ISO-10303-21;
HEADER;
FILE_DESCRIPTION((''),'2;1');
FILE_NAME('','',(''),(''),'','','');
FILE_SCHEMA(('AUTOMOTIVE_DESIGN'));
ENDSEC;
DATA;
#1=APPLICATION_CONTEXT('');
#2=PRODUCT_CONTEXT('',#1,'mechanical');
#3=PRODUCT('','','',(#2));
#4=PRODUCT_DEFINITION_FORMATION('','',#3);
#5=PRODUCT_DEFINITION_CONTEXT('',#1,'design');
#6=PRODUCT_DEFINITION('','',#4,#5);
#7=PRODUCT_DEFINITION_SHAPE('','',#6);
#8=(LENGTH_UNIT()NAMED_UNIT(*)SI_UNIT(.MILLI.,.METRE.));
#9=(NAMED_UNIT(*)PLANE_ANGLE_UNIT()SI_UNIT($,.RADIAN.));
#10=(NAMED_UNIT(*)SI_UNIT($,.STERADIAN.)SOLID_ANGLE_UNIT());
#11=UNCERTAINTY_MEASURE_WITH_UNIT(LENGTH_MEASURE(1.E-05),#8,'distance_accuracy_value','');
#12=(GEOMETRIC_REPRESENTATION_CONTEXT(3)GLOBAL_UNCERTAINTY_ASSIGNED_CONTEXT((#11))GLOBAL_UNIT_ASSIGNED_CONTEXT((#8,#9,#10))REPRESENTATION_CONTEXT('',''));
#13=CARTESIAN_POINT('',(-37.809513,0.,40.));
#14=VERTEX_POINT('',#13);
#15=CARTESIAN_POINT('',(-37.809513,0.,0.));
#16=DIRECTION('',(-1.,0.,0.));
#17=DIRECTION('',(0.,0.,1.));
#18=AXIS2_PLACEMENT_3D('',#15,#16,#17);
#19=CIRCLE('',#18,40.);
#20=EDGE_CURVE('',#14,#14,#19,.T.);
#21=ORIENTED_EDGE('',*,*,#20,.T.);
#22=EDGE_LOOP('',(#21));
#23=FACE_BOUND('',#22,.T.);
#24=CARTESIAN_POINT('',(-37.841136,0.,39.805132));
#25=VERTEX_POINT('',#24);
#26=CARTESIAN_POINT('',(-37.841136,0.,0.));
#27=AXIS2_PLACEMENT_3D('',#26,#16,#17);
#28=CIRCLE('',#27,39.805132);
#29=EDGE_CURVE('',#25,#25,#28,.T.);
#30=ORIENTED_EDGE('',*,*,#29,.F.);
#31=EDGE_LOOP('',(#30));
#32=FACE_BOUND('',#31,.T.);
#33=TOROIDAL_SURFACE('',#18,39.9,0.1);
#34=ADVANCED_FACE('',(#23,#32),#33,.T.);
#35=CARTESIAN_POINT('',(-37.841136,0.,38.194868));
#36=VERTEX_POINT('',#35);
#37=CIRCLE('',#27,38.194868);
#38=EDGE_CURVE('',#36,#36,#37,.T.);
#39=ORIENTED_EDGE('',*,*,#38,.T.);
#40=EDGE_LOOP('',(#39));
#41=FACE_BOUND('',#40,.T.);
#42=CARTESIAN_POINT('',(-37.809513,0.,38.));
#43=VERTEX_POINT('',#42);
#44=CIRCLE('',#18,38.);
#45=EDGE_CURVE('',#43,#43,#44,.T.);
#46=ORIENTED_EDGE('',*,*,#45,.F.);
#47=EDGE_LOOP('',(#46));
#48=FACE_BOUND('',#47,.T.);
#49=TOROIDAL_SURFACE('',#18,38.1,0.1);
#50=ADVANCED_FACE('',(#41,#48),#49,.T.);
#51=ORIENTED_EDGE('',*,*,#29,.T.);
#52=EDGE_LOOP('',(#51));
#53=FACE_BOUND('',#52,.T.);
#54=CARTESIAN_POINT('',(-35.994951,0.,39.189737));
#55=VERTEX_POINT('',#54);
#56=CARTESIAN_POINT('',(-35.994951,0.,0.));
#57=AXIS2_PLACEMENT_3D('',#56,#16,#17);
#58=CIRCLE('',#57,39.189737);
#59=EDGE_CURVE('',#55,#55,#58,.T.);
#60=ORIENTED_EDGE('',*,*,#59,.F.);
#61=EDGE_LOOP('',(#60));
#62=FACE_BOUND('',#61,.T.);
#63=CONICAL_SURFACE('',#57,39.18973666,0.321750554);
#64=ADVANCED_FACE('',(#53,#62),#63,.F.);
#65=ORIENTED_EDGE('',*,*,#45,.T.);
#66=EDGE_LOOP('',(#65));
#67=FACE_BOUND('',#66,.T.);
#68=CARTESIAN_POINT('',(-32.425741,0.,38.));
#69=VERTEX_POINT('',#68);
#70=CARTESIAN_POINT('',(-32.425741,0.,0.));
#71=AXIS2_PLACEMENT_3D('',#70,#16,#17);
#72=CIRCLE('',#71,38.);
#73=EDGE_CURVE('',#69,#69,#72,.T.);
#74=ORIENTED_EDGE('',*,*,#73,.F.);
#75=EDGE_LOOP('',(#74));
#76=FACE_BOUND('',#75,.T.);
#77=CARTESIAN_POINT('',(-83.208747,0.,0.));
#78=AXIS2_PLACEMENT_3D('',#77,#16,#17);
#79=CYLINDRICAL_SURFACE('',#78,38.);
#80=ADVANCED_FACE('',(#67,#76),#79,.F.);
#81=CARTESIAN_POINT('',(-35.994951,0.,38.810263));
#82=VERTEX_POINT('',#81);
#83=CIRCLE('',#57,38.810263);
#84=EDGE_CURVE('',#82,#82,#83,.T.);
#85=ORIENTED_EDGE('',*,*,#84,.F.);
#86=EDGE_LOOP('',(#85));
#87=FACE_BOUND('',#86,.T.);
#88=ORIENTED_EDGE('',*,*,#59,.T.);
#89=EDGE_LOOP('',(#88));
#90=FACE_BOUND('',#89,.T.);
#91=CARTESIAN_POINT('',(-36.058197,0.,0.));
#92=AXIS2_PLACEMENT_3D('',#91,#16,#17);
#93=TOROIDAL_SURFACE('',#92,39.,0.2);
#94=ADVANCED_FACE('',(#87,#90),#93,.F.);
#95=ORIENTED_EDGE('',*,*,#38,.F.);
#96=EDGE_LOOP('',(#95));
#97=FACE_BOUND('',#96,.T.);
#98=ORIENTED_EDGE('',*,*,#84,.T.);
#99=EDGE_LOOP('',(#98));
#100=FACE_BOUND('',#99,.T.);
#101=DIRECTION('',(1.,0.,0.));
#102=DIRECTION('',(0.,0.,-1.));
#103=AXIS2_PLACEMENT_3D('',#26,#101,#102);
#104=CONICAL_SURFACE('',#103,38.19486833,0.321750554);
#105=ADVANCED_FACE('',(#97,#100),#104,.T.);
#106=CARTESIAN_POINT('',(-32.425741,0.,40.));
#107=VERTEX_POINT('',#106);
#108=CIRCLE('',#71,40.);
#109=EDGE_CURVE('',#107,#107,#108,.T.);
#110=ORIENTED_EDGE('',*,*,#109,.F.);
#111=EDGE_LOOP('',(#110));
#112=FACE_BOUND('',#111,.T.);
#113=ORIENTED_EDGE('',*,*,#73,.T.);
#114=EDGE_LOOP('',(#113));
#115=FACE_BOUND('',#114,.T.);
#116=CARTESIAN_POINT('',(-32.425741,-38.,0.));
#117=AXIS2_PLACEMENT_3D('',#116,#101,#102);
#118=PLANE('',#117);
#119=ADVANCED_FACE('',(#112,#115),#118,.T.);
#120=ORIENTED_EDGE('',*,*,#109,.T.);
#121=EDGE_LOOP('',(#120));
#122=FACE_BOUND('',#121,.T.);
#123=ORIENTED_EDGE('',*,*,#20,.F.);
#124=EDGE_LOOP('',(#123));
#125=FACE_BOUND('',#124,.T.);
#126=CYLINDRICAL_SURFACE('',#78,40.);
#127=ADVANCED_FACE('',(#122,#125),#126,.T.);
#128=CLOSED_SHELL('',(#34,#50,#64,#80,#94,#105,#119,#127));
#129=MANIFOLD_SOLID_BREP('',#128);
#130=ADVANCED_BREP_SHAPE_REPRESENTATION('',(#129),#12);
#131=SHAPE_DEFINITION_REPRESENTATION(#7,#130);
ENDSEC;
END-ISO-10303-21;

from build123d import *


with BuildPart() as part:
    # Sketch1 → Revolve1 (revolve)
    with BuildSketch(Plane.XY, mode=Mode.PRIVATE) as revolve1_sk:
        with BuildLine():
            Line((-37.809513487, -40), (-32.425741253, -40))
            Line((-32.425741253, -40), (-32.425741253, -38))
            Line((-32.425741253, -38), (-37.809513487, -38))
            ThreePointArc((-37.809513487, -38), (-37.908222233, -38.083981776), (-37.841136263, -38.19486833))
            Line((-37.841136263, -38.19486833), (-35.994951232, -38.81026334))
            ThreePointArc((-35.994951232, -38.81026334), (-35.858196785, -39), (-35.994951232, -39.18973666))
            Line((-35.994951232, -39.18973666), (-37.841136263, -39.80513167))
            ThreePointArc((-37.841136263, -39.80513167), (-37.908222233, -39.916018224), (-37.809513487, -40))
        make_face()
    revolve(revolve1_sk.sketch.rotate(Axis((-83.208746897, 0, 0), (1, 0, 0)), 270), axis=Axis((-83.208746897, 0, 0), (1, 0, 0)))


solid = part.part
